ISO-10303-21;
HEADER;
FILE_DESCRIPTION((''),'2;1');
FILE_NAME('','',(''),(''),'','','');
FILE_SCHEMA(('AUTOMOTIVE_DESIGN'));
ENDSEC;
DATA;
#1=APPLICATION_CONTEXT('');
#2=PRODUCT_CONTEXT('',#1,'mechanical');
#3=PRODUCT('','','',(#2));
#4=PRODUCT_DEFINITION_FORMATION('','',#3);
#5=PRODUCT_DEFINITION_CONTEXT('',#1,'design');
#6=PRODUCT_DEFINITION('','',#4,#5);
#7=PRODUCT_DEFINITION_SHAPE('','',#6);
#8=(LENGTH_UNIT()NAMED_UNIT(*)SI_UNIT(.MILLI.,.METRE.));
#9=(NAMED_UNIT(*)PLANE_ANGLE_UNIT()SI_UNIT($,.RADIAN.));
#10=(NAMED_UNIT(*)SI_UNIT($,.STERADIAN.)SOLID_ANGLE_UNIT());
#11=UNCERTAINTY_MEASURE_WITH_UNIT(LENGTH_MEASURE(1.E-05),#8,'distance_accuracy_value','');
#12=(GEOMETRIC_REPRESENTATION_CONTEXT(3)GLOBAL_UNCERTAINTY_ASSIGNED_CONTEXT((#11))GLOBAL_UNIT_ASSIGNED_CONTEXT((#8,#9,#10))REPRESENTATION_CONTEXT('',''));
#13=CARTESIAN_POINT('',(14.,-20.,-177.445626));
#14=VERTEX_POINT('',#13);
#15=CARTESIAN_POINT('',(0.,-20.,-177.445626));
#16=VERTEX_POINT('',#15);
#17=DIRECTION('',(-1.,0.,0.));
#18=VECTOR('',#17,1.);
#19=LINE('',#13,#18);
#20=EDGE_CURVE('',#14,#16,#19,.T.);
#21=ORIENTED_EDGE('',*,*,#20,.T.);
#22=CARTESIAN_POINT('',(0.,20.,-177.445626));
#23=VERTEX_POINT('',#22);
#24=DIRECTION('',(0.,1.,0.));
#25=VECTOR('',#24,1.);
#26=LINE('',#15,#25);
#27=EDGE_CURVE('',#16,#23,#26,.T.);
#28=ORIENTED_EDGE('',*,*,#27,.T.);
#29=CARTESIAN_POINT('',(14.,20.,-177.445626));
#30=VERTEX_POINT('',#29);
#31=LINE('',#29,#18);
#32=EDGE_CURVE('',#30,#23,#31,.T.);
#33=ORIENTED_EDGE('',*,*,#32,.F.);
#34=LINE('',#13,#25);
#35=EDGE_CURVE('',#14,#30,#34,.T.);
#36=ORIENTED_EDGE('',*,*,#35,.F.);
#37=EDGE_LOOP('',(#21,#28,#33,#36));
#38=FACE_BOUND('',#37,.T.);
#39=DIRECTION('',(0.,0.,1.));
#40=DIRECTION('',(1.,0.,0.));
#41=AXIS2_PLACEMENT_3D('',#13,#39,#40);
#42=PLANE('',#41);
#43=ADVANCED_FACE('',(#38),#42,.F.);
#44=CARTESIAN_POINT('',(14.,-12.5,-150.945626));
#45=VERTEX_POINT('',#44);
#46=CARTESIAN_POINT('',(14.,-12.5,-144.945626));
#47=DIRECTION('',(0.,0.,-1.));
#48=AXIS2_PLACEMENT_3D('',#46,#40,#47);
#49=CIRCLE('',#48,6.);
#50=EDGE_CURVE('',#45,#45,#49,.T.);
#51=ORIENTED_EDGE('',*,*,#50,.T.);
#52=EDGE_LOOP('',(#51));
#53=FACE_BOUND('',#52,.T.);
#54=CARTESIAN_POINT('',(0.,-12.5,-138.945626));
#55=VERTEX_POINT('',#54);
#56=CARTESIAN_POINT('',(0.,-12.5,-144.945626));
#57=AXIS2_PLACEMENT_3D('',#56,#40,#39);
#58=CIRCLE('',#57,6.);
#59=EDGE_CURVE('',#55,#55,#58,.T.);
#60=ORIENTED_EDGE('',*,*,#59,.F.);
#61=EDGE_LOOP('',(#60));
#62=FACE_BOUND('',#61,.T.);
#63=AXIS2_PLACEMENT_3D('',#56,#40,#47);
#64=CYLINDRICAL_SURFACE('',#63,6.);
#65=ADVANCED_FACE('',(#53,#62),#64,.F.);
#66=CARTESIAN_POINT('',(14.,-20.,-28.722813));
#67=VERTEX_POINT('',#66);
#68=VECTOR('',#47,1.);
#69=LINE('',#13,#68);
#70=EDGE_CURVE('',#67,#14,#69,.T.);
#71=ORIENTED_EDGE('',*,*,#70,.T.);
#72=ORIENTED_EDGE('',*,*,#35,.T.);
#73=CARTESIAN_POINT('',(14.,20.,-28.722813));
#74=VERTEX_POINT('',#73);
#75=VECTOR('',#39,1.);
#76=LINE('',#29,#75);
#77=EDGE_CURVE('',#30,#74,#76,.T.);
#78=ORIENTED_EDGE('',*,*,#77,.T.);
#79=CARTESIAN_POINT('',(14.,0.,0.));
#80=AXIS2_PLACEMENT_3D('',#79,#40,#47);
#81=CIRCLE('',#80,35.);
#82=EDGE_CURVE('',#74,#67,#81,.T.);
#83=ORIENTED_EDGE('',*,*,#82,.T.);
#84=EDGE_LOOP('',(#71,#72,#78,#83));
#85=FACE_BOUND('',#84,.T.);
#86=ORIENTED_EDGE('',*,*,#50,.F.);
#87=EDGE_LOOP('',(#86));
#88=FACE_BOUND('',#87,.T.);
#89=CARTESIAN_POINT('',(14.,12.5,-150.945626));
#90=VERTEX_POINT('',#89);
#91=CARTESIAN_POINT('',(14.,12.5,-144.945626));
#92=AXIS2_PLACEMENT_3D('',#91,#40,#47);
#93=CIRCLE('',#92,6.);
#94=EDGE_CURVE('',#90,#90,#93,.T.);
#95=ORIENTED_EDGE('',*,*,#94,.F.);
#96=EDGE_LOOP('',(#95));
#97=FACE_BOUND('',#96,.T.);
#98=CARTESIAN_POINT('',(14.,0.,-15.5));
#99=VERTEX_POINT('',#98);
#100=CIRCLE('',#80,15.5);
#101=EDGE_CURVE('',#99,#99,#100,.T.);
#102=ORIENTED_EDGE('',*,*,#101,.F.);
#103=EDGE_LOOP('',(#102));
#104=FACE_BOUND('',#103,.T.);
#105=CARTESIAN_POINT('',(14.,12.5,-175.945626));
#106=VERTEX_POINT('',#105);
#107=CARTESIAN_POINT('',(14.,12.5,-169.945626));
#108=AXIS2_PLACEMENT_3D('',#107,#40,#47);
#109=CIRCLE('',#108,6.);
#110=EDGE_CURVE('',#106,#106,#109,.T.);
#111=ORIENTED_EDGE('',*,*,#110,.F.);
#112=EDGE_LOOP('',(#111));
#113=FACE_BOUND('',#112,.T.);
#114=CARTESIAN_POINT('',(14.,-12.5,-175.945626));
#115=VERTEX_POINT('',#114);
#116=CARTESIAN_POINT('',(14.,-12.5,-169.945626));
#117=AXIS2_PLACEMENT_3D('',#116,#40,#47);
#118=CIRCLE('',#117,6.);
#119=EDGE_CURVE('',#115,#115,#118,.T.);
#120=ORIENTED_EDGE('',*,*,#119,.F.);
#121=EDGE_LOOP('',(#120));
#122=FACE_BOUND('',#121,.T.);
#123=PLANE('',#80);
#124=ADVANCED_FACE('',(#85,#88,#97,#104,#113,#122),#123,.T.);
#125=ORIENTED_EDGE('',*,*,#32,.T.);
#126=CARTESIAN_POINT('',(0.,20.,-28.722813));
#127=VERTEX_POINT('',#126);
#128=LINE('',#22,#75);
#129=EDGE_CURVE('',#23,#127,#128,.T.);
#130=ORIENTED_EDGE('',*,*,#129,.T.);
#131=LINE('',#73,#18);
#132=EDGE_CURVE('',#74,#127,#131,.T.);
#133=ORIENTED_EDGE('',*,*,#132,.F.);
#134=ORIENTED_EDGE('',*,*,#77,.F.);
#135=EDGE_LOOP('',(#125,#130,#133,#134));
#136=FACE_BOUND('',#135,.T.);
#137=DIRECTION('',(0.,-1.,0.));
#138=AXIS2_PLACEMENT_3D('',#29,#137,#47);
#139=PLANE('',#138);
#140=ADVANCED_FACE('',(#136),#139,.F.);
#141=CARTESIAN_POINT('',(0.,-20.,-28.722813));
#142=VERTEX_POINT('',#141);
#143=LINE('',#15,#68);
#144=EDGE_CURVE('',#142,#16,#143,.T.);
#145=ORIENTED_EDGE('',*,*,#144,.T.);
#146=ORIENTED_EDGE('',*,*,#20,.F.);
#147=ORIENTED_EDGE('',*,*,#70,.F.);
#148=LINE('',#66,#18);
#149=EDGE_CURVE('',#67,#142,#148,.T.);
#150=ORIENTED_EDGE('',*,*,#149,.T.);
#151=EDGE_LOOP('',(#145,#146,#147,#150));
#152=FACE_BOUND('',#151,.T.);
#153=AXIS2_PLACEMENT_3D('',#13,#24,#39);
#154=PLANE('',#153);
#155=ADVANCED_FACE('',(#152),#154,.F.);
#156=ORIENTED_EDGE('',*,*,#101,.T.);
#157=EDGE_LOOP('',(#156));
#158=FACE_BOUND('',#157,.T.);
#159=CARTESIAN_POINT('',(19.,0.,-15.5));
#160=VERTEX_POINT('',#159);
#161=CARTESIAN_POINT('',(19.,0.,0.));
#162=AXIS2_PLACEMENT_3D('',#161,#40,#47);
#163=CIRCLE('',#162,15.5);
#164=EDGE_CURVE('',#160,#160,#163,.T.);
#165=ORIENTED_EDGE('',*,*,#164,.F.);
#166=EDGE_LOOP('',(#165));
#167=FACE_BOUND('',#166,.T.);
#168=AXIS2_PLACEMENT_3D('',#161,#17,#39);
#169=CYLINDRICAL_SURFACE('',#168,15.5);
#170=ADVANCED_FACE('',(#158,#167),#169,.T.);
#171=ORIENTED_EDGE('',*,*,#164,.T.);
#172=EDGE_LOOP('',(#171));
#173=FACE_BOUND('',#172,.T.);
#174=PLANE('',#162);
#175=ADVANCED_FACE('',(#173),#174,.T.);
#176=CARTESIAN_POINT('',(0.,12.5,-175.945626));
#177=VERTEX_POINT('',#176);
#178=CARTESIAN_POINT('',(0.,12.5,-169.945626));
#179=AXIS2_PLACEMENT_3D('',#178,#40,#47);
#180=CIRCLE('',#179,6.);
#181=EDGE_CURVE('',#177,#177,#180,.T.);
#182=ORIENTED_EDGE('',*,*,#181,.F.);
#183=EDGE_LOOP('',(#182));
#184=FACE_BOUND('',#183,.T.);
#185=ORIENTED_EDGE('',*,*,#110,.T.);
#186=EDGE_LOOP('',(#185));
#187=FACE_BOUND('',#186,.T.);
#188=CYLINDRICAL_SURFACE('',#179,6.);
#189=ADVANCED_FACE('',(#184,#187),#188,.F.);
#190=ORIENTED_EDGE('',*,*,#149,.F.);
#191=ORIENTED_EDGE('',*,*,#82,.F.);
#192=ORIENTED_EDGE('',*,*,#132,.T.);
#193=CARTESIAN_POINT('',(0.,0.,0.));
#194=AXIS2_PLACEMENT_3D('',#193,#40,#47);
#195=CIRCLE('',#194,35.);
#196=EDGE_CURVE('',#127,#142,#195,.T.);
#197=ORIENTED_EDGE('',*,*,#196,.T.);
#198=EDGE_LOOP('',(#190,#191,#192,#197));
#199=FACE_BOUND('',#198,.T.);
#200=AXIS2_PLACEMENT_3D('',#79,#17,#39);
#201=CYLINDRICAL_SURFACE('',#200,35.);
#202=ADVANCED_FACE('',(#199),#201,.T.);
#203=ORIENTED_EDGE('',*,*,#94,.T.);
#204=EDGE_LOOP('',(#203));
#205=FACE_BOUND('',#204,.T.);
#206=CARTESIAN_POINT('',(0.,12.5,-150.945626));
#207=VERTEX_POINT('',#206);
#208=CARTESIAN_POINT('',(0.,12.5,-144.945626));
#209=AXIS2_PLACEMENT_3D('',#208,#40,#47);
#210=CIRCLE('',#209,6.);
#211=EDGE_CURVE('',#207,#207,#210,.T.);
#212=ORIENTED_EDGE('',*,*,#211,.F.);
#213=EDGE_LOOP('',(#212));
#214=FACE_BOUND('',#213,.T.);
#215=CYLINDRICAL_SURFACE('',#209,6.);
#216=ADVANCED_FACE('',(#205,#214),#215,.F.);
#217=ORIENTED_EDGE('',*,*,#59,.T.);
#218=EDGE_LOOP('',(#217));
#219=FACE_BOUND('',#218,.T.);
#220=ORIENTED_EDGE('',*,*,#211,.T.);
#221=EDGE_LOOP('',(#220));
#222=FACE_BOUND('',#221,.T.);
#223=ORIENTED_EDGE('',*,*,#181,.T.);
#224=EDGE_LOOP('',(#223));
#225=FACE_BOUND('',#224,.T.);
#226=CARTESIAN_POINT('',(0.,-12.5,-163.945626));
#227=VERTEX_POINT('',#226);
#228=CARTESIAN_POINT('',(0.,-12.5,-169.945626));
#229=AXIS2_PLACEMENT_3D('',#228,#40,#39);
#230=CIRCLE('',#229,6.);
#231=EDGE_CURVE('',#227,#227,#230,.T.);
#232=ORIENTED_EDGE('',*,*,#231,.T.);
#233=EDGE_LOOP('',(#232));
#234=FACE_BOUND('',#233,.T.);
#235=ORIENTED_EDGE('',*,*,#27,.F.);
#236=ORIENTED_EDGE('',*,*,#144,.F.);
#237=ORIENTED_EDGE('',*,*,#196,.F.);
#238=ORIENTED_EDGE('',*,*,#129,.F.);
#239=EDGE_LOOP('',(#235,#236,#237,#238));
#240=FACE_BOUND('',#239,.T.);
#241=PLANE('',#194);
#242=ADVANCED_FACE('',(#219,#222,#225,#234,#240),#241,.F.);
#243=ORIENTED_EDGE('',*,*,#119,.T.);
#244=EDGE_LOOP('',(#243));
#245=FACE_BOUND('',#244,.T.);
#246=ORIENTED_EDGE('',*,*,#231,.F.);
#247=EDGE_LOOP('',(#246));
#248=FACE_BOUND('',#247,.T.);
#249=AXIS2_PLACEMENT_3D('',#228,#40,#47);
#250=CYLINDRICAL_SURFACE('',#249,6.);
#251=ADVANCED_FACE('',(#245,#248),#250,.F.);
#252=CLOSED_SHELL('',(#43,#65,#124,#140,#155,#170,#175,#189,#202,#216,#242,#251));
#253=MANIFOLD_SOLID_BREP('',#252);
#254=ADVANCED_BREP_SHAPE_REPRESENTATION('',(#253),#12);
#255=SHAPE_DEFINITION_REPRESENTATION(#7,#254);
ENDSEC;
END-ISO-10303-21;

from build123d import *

# Parameters (mm, degrees)
EXTRUDE_1_DEPTH          = 14
SKETCH_4_R               = 15.5
EXTRUDE_2_DEPTH          = 5
CUT_EXTRUDE_1_DEPTH      = 182.405486002
CUT_EXTRUDE_1_DEPTH_BACK = 182.405486002
SKETCH_5_R               = 6


with BuildPart() as part:
    # 草图1 → 凸台-拉伸1 (new body)
    with BuildSketch(Plane(origin=(0, 0, 0), x_dir=(0, 0, -1), z_dir=(1, 0, 0))):
        with BuildLine():
            Line((177.445626465, -20), (28.722813233, -20))
            ThreePointArc((28.722813233, -20), (-35, 0), (28.722813233, 20))
            Line((28.722813233, 20), (177.445626465, 20))
            Line((177.445626465, 20), (177.445626465, -20))
        make_face()
    extrude(amount=EXTRUDE_1_DEPTH)

    # 草图4 → 凸台-拉伸2 (add)
    with BuildSketch(Plane(origin=(14, 0, 0), x_dir=(0, 0, -1), z_dir=(1, 0, 0))):
        Circle(SKETCH_4_R)
    extrude(amount=EXTRUDE_2_DEPTH)

    # 草图5 → 切除-拉伸1 (cut, two sides: drawn at the far end of the back side and taken through both)
    with BuildSketch(Plane(origin=(14, 0, 0), x_dir=(0, 0, -1), z_dir=(1, 0, 0)).offset(-CUT_EXTRUDE_1_DEPTH_BACK)):
        with Locations((169.945626465, 12.5)):
            Circle(SKETCH_5_R)
        with Locations((144.945626465, 12.5)):
            Circle(SKETCH_5_R)
        with Locations((144.945626465, -12.5)):
            Circle(SKETCH_5_R)
        with Locations((169.945626465, -12.5)):
            Circle(SKETCH_5_R)
    extrude(amount=CUT_EXTRUDE_1_DEPTH + CUT_EXTRUDE_1_DEPTH_BACK, mode=Mode.SUBTRACT)


solid = part.part
